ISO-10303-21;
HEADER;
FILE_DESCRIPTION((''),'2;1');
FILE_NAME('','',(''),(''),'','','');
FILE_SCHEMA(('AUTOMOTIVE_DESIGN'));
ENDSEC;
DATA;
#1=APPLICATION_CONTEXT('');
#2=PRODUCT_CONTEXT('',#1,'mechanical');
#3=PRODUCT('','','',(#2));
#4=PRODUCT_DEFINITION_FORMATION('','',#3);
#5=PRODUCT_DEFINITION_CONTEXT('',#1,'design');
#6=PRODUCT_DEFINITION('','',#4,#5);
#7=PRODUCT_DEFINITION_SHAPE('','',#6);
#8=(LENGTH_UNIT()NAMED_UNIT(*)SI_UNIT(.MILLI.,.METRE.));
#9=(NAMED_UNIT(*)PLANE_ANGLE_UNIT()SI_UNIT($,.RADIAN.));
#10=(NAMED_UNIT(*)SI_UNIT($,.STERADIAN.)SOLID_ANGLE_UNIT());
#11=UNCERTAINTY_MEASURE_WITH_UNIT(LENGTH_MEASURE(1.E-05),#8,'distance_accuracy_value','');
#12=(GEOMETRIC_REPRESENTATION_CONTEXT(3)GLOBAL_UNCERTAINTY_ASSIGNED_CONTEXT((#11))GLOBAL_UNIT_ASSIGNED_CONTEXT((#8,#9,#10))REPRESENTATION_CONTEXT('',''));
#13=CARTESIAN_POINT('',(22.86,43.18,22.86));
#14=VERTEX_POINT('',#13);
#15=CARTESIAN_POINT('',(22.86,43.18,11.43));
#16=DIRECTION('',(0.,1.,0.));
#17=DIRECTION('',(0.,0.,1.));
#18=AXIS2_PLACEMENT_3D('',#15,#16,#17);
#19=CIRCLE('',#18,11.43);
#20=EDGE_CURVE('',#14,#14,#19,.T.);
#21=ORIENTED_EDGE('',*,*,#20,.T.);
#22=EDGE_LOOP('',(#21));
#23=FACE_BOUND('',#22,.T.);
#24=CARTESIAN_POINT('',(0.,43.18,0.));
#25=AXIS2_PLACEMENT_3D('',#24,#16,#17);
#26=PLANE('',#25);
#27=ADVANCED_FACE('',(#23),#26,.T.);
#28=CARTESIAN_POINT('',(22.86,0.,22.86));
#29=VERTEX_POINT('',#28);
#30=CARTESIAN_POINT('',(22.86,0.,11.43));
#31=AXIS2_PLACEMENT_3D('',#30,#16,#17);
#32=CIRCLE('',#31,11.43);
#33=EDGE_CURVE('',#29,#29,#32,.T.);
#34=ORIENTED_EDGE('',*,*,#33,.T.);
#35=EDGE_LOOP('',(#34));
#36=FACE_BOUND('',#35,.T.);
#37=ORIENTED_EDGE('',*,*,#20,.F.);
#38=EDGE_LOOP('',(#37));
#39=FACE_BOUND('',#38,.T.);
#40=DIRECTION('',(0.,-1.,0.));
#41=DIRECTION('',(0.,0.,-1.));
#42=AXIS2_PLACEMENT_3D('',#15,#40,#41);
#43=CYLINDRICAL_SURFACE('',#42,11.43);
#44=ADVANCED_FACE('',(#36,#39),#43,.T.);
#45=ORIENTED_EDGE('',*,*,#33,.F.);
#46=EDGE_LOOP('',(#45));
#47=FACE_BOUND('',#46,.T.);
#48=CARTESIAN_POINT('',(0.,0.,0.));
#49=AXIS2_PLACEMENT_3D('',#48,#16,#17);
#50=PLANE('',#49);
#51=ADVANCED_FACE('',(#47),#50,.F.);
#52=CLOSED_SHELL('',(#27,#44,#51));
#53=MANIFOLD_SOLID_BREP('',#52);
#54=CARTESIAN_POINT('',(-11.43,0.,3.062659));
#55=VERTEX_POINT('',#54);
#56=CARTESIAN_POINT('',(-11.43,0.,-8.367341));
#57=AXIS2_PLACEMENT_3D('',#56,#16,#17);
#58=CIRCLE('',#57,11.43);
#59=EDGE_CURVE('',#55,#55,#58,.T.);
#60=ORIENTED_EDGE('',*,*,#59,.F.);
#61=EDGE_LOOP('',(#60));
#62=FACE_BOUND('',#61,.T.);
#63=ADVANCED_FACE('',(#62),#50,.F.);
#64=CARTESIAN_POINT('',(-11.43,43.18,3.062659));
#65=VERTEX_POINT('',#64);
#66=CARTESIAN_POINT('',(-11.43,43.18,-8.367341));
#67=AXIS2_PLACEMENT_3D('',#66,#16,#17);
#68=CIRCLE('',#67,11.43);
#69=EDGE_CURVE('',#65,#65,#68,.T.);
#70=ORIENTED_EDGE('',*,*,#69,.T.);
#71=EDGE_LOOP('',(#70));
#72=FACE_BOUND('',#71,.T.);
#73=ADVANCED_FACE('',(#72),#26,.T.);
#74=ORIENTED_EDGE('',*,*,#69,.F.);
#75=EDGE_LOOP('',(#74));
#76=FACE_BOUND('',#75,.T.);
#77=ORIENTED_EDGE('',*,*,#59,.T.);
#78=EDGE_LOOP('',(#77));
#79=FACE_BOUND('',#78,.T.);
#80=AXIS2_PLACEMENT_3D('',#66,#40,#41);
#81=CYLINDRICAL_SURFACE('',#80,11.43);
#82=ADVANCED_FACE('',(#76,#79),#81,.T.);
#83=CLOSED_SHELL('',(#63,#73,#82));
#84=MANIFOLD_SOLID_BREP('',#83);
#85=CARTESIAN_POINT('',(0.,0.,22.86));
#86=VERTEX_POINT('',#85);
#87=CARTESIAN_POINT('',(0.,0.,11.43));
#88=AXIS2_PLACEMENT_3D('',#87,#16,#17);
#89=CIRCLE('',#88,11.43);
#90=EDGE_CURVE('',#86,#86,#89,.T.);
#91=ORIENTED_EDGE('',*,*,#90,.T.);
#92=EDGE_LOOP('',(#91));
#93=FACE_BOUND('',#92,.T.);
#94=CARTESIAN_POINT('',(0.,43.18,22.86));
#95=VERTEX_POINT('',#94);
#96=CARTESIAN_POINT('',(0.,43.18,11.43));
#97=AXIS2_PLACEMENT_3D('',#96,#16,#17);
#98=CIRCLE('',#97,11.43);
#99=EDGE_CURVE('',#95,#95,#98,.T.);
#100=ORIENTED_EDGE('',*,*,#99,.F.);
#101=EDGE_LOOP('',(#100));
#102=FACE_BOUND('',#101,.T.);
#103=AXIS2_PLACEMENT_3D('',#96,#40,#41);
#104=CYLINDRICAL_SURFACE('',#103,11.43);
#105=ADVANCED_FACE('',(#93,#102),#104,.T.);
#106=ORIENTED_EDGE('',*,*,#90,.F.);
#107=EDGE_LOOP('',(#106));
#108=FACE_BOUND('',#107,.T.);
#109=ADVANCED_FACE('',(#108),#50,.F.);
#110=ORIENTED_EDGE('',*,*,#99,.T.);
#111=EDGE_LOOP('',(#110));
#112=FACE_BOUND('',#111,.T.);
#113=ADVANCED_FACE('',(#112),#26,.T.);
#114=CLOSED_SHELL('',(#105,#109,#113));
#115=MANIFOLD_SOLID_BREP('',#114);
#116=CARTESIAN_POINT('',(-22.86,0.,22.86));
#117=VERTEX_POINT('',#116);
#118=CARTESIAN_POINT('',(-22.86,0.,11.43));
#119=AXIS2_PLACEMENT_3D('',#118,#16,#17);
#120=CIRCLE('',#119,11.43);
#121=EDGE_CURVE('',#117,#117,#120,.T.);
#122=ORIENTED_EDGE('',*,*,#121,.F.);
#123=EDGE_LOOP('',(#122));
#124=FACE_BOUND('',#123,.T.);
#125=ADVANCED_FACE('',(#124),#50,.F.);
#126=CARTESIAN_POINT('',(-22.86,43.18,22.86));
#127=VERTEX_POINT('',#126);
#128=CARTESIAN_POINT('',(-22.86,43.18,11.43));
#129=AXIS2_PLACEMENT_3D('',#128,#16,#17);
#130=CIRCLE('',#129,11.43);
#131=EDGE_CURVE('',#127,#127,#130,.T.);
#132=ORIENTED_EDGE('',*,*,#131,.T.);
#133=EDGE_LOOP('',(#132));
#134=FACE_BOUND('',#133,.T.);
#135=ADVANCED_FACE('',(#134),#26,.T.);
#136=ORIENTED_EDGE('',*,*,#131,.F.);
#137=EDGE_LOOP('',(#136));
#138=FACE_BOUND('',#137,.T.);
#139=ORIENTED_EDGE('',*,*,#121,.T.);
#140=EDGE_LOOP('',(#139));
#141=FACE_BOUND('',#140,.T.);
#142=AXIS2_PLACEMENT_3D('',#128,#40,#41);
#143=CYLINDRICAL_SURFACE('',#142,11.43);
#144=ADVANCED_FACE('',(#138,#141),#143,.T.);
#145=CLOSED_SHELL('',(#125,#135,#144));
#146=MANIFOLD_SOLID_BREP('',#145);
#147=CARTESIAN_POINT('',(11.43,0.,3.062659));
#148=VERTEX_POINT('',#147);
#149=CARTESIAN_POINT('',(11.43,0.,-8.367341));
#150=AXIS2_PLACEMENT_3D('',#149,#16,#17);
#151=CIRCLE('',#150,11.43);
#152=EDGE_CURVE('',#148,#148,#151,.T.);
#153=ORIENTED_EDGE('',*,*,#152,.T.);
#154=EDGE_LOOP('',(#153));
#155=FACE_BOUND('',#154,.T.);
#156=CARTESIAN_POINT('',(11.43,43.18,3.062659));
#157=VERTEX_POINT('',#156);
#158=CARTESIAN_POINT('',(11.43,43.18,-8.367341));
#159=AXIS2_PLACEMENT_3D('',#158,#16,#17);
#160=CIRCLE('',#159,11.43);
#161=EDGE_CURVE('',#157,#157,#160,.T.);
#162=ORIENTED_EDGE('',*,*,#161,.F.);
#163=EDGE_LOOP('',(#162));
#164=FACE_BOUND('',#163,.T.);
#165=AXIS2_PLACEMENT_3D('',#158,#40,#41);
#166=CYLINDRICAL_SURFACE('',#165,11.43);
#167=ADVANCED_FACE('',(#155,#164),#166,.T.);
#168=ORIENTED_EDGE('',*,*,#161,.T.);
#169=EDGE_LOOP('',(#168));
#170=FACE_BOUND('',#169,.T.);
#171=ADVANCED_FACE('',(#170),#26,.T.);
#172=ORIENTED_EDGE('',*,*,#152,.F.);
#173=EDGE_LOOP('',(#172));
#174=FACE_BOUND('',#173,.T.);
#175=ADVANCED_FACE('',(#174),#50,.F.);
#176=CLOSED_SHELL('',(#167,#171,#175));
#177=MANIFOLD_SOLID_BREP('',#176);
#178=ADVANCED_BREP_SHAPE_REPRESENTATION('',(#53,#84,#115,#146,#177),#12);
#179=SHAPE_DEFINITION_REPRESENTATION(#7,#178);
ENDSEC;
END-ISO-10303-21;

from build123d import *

# Parameters (mm, degrees)
SKETCH1_R             = 11.43
BOSS_EXTRUDE1_DEPTH   = 43.18
BOSS_EXTRUDE1_2_DEPTH = 43.18
BOSS_EXTRUDE1_3_DEPTH = 43.18
BOSS_EXTRUDE1_4_DEPTH = 43.18
BOSS_EXTRUDE1_5_DEPTH = 43.18


with BuildPart() as part:
    # Sketch1 → Boss-Extrude1 (new body)
    with BuildSketch(Plane(origin=(0, 0, 0), x_dir=(1, 0, 0), z_dir=(0, 1, 0))):
        with Locations(Location((-22.86, -11.43, 0), (0, 0, 270))):
            Circle(SKETCH1_R)
    extrude(amount=BOSS_EXTRUDE1_DEPTH)


with BuildPart() as body_2:
    # Sketch1 → Boss-Extrude1 2 (new body)
    with BuildSketch(Plane(origin=(0, 0, 0), x_dir=(1, 0, 0), z_dir=(0, 1, 0))):
        with Locations(Location((-11.43, 8.367340731, 0), (0, 0, 270))):
            Circle(SKETCH1_R)
    extrude(amount=BOSS_EXTRUDE1_2_DEPTH)


with BuildPart() as body_3:
    # Sketch1 → Boss-Extrude1 3 (new body)
    with BuildSketch(Plane(origin=(0, 0, 0), x_dir=(1, 0, 0), z_dir=(0, 1, 0))):
        with Locations(Location((0, -11.43, 0), (0, 0, 270))):
            Circle(SKETCH1_R)
    extrude(amount=BOSS_EXTRUDE1_3_DEPTH)


with BuildPart() as body_4:
    # Sketch1 → Boss-Extrude1 4 (new body)
    with BuildSketch(Plane(origin=(0, 0, 0), x_dir=(1, 0, 0), z_dir=(0, 1, 0))):
        with Locations(Location((11.43, 8.367340731, 0), (0, 0, 270))):
            Circle(SKETCH1_R)
    extrude(amount=BOSS_EXTRUDE1_4_DEPTH)


with BuildPart() as body_5:
    # Sketch1 → Boss-Extrude1 5 (new body)
    with BuildSketch(Plane(origin=(0, 0, 0), x_dir=(1, 0, 0), z_dir=(0, 1, 0))):
        with Locations(Location((22.86, -11.43, 0), (0, 0, 270))):
            Circle(SKETCH1_R)
    extrude(amount=BOSS_EXTRUDE1_5_DEPTH)


solid = Compound([part.part, body_2.part, body_3.part, body_4.part, body_5.part])
